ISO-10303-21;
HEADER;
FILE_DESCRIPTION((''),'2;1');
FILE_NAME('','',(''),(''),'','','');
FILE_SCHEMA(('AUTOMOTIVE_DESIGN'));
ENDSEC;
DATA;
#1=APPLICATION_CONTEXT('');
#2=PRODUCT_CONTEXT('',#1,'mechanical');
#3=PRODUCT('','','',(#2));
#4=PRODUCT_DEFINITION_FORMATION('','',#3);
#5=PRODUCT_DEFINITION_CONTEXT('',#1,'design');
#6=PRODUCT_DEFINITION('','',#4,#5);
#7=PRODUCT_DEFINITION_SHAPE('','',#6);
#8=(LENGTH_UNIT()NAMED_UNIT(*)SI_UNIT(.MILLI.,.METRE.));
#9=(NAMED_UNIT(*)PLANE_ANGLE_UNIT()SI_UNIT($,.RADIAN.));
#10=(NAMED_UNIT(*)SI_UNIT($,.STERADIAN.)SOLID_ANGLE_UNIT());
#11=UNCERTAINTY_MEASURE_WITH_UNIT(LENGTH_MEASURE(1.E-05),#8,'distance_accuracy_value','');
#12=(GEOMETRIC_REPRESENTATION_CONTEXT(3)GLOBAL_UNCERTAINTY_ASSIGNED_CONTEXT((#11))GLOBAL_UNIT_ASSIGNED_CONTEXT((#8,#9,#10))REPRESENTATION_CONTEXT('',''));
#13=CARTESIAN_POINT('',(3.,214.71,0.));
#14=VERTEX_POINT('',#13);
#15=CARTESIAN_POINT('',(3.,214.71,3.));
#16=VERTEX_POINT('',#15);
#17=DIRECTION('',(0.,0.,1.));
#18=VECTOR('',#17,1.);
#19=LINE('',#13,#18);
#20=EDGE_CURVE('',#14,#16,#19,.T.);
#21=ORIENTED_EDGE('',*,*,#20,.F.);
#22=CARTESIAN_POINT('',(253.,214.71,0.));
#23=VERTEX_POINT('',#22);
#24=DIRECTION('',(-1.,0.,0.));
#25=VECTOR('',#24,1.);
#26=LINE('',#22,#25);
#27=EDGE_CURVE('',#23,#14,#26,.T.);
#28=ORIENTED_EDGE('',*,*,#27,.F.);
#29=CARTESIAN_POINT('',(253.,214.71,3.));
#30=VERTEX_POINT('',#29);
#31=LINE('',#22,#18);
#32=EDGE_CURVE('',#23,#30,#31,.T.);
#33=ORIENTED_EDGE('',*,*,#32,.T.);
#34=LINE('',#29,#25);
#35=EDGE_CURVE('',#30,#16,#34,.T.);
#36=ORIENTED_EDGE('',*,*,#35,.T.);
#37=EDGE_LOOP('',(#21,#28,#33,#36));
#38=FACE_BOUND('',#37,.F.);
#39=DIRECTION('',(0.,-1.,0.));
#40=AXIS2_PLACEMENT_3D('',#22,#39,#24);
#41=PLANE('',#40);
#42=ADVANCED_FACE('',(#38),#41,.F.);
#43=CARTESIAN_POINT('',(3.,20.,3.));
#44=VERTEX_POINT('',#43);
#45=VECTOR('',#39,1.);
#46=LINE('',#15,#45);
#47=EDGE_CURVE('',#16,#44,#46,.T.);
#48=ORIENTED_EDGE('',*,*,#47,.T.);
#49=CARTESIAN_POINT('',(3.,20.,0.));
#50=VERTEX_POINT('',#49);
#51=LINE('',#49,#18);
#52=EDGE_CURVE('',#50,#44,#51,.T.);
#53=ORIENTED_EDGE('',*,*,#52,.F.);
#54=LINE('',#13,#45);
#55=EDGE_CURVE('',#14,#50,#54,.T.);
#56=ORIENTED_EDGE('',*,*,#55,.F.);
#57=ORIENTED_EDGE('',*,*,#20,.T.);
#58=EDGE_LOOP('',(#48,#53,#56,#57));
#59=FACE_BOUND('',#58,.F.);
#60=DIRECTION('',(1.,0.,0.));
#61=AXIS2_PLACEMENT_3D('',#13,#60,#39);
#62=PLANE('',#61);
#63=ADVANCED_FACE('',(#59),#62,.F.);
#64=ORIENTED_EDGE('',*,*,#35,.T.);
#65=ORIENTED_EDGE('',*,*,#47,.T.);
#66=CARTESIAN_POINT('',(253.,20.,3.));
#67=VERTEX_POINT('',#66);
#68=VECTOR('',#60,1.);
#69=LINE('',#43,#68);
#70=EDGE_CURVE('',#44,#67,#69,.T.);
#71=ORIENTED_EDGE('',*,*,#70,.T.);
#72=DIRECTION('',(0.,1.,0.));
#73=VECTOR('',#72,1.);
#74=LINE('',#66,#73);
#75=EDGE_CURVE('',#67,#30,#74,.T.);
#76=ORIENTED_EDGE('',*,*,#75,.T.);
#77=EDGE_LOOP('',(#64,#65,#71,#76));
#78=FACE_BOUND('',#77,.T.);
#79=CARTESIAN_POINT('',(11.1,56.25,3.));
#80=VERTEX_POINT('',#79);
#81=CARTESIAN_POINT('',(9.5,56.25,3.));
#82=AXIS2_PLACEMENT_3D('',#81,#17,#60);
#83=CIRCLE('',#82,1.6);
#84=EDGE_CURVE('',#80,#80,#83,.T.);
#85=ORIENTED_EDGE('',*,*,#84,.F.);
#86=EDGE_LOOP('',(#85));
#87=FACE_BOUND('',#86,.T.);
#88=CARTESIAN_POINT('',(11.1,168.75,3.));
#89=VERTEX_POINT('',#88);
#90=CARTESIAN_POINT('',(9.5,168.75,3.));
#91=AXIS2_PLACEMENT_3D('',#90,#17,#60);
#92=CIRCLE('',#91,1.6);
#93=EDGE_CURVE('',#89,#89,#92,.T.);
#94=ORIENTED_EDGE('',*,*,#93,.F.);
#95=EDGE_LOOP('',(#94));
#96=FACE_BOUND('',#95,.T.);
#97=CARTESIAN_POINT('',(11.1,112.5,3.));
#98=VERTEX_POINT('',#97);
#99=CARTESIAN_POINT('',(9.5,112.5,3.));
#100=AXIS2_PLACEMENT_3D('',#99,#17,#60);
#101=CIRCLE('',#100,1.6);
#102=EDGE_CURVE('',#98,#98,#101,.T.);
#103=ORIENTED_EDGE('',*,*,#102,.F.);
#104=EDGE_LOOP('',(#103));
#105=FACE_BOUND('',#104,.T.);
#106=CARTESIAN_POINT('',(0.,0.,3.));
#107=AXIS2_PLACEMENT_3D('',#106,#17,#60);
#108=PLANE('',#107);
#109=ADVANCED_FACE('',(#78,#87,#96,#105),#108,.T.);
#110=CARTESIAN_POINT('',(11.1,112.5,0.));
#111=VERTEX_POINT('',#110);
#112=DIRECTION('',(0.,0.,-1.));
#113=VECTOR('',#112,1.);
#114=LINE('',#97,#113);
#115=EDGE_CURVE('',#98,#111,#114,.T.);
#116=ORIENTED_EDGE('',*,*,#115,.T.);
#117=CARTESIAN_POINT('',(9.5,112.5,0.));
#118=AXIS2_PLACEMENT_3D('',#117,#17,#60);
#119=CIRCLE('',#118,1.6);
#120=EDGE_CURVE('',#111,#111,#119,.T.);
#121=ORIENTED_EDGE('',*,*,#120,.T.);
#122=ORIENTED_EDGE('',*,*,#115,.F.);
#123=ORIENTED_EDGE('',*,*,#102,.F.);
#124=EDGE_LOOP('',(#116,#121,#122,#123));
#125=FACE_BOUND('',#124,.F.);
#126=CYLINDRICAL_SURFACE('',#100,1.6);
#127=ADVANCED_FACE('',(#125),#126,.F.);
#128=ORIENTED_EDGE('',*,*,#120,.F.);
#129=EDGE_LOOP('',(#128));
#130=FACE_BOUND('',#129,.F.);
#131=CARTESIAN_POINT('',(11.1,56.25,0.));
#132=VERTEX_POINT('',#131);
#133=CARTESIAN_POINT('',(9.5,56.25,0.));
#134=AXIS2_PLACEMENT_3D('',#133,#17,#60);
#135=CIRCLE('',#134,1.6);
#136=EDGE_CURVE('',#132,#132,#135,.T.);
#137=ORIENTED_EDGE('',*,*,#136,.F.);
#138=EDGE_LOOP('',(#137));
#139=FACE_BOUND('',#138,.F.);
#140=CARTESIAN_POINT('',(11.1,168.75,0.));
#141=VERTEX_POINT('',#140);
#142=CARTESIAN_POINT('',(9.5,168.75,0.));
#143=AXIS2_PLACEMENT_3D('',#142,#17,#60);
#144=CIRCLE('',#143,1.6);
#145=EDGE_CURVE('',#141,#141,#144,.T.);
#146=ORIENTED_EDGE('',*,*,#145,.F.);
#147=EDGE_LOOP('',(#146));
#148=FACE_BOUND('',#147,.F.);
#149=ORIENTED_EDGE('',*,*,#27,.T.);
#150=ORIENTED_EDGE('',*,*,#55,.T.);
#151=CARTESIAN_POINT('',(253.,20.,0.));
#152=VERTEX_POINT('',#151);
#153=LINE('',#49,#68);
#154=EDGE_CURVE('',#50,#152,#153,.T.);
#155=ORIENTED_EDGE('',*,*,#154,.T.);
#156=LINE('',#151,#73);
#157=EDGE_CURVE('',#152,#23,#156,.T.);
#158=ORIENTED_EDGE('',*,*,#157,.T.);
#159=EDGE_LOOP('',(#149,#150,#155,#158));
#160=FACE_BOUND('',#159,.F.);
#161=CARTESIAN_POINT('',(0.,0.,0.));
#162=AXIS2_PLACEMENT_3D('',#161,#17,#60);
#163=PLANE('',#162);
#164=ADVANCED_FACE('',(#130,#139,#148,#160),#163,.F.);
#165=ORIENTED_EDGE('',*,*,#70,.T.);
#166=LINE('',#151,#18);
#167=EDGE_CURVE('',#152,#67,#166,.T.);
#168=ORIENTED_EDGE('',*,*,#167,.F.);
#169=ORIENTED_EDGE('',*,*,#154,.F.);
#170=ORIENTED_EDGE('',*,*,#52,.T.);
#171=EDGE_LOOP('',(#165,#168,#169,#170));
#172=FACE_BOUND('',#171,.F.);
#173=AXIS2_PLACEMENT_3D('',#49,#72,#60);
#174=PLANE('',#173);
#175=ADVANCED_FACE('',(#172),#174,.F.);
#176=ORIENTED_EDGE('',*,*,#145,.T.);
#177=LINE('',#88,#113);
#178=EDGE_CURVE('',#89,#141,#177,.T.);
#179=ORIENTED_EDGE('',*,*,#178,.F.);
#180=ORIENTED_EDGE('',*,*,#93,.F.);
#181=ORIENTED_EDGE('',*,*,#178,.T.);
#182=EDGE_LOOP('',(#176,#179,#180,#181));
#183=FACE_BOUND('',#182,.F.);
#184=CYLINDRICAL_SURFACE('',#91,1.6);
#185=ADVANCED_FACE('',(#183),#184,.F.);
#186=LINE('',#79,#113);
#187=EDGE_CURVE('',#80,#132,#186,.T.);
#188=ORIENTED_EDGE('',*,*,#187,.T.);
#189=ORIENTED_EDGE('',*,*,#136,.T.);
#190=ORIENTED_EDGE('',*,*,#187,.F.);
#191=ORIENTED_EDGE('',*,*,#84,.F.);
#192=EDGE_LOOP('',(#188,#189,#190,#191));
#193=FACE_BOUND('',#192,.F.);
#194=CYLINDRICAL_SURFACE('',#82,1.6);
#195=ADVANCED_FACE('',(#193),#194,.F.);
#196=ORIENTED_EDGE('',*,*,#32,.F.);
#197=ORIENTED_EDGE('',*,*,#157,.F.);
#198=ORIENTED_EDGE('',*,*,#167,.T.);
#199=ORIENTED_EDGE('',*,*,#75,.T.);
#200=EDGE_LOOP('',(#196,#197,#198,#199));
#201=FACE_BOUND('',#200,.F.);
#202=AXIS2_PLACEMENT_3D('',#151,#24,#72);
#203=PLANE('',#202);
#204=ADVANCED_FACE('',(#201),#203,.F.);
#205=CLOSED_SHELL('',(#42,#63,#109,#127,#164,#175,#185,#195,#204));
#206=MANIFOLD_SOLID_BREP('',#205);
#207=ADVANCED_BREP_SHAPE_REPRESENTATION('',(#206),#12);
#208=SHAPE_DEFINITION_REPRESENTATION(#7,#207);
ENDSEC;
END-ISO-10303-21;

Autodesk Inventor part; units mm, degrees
ref_plane "YZ Plane" through (0, 0, 0) normal (1, 0, 0) x (0, 1, 0)
ref_plane "XZ Plane" through (0, 0, 0) normal (0, 1, 0) x (-1, 0, 0)
ref_plane "XY Plane" through (0, 0, 0) normal (0, 0, 1) x (1, 0, 0)
ref_plane "Work Plane1" through (0, 0, 0) normal (0, 0, 1) x (1, 0, 0)
sketch "Sketch1" plane through (0, 0, 0) normal (0, 0, 1) x (1, 0, 0)
  line L0 (3, 20) -> (253, 20)
  line L1 (253, 20) -> (253, 214.71)
  line L2 (253, 214.71) -> (3, 214.71)
  line L3 (3, 214.71) -> (3, 20)
  circle A0 centre (9.5, 56.25) radius 1.6 construction
  circle A1 centre (9.5, 112.5) radius 1.6 construction
  circle A2 centre (9.5, 168.75) radius 1.6 construction
  line L4 (19, 225) -> (19, 0) construction
  line L5 (19, 225) -> (13.5011, 225) construction
  ellipse E0 centre (12.5333, 224.7099) end of major axis (12.5333, 225.8617) minor radius 1 (13.5333, 224.7099) -> (13.5011, 225) ccw construction
  line L6 (13.5333, 219.5971) -> (13.5333, 224.7099) construction
  ellipse E1 centre (12.5333, 219.5971) end of major axis (12.5333, 217.71) minor radius 1 (12.5333, 217.71) -> (13.5333, 219.5971) ccw construction
  line L7 (7.4667, 217.71) -> (12.5333, 217.71) construction
  ellipse E2 centre (7.4667, 219.5971) end of major axis (7.4667, 217.71) minor radius 1 (6.4667, 219.5971) -> (7.4667, 217.71) ccw construction
  line L8 (6.4667, 224.7099) -> (6.4667, 219.5971) construction
  ellipse E3 centre (7.4667, 224.7099) end of major axis (7.4667, 225.8617) minor radius 1 (6.4989, 225) -> (6.4667, 224.7099) ccw construction
  line L9 (6.4989, 225) -> (0, 225) construction
  line L10 (0, 0) -> (0, 225) construction
  line L11 (0, 0) -> (19, 0) construction
  dimension "d0" = 3
  dimension "d1" = 3
  dimension "d2" = 250
  dimension "d3" = 20
extrude "Extrusion1" add sketch "Sketch1" along normal blind 3
sketch "Sketch2" plane through (0, 0, 3) normal (0, 0, 1) x (1, 0, 0)
  circle A0 centre (9.5, 168.75) radius 1.6 projected
  circle A1 centre (9.5, 112.5) radius 1.6 projected
  circle A2 centre (9.5, 56.25) radius 1.6 projected
  point P0 (0, 0)
extrude "Extrusion2" cut sketch "Sketch2" against normal through all
equation "\"d1\" = d0"
properties part number "front-glass" material "Glass"
